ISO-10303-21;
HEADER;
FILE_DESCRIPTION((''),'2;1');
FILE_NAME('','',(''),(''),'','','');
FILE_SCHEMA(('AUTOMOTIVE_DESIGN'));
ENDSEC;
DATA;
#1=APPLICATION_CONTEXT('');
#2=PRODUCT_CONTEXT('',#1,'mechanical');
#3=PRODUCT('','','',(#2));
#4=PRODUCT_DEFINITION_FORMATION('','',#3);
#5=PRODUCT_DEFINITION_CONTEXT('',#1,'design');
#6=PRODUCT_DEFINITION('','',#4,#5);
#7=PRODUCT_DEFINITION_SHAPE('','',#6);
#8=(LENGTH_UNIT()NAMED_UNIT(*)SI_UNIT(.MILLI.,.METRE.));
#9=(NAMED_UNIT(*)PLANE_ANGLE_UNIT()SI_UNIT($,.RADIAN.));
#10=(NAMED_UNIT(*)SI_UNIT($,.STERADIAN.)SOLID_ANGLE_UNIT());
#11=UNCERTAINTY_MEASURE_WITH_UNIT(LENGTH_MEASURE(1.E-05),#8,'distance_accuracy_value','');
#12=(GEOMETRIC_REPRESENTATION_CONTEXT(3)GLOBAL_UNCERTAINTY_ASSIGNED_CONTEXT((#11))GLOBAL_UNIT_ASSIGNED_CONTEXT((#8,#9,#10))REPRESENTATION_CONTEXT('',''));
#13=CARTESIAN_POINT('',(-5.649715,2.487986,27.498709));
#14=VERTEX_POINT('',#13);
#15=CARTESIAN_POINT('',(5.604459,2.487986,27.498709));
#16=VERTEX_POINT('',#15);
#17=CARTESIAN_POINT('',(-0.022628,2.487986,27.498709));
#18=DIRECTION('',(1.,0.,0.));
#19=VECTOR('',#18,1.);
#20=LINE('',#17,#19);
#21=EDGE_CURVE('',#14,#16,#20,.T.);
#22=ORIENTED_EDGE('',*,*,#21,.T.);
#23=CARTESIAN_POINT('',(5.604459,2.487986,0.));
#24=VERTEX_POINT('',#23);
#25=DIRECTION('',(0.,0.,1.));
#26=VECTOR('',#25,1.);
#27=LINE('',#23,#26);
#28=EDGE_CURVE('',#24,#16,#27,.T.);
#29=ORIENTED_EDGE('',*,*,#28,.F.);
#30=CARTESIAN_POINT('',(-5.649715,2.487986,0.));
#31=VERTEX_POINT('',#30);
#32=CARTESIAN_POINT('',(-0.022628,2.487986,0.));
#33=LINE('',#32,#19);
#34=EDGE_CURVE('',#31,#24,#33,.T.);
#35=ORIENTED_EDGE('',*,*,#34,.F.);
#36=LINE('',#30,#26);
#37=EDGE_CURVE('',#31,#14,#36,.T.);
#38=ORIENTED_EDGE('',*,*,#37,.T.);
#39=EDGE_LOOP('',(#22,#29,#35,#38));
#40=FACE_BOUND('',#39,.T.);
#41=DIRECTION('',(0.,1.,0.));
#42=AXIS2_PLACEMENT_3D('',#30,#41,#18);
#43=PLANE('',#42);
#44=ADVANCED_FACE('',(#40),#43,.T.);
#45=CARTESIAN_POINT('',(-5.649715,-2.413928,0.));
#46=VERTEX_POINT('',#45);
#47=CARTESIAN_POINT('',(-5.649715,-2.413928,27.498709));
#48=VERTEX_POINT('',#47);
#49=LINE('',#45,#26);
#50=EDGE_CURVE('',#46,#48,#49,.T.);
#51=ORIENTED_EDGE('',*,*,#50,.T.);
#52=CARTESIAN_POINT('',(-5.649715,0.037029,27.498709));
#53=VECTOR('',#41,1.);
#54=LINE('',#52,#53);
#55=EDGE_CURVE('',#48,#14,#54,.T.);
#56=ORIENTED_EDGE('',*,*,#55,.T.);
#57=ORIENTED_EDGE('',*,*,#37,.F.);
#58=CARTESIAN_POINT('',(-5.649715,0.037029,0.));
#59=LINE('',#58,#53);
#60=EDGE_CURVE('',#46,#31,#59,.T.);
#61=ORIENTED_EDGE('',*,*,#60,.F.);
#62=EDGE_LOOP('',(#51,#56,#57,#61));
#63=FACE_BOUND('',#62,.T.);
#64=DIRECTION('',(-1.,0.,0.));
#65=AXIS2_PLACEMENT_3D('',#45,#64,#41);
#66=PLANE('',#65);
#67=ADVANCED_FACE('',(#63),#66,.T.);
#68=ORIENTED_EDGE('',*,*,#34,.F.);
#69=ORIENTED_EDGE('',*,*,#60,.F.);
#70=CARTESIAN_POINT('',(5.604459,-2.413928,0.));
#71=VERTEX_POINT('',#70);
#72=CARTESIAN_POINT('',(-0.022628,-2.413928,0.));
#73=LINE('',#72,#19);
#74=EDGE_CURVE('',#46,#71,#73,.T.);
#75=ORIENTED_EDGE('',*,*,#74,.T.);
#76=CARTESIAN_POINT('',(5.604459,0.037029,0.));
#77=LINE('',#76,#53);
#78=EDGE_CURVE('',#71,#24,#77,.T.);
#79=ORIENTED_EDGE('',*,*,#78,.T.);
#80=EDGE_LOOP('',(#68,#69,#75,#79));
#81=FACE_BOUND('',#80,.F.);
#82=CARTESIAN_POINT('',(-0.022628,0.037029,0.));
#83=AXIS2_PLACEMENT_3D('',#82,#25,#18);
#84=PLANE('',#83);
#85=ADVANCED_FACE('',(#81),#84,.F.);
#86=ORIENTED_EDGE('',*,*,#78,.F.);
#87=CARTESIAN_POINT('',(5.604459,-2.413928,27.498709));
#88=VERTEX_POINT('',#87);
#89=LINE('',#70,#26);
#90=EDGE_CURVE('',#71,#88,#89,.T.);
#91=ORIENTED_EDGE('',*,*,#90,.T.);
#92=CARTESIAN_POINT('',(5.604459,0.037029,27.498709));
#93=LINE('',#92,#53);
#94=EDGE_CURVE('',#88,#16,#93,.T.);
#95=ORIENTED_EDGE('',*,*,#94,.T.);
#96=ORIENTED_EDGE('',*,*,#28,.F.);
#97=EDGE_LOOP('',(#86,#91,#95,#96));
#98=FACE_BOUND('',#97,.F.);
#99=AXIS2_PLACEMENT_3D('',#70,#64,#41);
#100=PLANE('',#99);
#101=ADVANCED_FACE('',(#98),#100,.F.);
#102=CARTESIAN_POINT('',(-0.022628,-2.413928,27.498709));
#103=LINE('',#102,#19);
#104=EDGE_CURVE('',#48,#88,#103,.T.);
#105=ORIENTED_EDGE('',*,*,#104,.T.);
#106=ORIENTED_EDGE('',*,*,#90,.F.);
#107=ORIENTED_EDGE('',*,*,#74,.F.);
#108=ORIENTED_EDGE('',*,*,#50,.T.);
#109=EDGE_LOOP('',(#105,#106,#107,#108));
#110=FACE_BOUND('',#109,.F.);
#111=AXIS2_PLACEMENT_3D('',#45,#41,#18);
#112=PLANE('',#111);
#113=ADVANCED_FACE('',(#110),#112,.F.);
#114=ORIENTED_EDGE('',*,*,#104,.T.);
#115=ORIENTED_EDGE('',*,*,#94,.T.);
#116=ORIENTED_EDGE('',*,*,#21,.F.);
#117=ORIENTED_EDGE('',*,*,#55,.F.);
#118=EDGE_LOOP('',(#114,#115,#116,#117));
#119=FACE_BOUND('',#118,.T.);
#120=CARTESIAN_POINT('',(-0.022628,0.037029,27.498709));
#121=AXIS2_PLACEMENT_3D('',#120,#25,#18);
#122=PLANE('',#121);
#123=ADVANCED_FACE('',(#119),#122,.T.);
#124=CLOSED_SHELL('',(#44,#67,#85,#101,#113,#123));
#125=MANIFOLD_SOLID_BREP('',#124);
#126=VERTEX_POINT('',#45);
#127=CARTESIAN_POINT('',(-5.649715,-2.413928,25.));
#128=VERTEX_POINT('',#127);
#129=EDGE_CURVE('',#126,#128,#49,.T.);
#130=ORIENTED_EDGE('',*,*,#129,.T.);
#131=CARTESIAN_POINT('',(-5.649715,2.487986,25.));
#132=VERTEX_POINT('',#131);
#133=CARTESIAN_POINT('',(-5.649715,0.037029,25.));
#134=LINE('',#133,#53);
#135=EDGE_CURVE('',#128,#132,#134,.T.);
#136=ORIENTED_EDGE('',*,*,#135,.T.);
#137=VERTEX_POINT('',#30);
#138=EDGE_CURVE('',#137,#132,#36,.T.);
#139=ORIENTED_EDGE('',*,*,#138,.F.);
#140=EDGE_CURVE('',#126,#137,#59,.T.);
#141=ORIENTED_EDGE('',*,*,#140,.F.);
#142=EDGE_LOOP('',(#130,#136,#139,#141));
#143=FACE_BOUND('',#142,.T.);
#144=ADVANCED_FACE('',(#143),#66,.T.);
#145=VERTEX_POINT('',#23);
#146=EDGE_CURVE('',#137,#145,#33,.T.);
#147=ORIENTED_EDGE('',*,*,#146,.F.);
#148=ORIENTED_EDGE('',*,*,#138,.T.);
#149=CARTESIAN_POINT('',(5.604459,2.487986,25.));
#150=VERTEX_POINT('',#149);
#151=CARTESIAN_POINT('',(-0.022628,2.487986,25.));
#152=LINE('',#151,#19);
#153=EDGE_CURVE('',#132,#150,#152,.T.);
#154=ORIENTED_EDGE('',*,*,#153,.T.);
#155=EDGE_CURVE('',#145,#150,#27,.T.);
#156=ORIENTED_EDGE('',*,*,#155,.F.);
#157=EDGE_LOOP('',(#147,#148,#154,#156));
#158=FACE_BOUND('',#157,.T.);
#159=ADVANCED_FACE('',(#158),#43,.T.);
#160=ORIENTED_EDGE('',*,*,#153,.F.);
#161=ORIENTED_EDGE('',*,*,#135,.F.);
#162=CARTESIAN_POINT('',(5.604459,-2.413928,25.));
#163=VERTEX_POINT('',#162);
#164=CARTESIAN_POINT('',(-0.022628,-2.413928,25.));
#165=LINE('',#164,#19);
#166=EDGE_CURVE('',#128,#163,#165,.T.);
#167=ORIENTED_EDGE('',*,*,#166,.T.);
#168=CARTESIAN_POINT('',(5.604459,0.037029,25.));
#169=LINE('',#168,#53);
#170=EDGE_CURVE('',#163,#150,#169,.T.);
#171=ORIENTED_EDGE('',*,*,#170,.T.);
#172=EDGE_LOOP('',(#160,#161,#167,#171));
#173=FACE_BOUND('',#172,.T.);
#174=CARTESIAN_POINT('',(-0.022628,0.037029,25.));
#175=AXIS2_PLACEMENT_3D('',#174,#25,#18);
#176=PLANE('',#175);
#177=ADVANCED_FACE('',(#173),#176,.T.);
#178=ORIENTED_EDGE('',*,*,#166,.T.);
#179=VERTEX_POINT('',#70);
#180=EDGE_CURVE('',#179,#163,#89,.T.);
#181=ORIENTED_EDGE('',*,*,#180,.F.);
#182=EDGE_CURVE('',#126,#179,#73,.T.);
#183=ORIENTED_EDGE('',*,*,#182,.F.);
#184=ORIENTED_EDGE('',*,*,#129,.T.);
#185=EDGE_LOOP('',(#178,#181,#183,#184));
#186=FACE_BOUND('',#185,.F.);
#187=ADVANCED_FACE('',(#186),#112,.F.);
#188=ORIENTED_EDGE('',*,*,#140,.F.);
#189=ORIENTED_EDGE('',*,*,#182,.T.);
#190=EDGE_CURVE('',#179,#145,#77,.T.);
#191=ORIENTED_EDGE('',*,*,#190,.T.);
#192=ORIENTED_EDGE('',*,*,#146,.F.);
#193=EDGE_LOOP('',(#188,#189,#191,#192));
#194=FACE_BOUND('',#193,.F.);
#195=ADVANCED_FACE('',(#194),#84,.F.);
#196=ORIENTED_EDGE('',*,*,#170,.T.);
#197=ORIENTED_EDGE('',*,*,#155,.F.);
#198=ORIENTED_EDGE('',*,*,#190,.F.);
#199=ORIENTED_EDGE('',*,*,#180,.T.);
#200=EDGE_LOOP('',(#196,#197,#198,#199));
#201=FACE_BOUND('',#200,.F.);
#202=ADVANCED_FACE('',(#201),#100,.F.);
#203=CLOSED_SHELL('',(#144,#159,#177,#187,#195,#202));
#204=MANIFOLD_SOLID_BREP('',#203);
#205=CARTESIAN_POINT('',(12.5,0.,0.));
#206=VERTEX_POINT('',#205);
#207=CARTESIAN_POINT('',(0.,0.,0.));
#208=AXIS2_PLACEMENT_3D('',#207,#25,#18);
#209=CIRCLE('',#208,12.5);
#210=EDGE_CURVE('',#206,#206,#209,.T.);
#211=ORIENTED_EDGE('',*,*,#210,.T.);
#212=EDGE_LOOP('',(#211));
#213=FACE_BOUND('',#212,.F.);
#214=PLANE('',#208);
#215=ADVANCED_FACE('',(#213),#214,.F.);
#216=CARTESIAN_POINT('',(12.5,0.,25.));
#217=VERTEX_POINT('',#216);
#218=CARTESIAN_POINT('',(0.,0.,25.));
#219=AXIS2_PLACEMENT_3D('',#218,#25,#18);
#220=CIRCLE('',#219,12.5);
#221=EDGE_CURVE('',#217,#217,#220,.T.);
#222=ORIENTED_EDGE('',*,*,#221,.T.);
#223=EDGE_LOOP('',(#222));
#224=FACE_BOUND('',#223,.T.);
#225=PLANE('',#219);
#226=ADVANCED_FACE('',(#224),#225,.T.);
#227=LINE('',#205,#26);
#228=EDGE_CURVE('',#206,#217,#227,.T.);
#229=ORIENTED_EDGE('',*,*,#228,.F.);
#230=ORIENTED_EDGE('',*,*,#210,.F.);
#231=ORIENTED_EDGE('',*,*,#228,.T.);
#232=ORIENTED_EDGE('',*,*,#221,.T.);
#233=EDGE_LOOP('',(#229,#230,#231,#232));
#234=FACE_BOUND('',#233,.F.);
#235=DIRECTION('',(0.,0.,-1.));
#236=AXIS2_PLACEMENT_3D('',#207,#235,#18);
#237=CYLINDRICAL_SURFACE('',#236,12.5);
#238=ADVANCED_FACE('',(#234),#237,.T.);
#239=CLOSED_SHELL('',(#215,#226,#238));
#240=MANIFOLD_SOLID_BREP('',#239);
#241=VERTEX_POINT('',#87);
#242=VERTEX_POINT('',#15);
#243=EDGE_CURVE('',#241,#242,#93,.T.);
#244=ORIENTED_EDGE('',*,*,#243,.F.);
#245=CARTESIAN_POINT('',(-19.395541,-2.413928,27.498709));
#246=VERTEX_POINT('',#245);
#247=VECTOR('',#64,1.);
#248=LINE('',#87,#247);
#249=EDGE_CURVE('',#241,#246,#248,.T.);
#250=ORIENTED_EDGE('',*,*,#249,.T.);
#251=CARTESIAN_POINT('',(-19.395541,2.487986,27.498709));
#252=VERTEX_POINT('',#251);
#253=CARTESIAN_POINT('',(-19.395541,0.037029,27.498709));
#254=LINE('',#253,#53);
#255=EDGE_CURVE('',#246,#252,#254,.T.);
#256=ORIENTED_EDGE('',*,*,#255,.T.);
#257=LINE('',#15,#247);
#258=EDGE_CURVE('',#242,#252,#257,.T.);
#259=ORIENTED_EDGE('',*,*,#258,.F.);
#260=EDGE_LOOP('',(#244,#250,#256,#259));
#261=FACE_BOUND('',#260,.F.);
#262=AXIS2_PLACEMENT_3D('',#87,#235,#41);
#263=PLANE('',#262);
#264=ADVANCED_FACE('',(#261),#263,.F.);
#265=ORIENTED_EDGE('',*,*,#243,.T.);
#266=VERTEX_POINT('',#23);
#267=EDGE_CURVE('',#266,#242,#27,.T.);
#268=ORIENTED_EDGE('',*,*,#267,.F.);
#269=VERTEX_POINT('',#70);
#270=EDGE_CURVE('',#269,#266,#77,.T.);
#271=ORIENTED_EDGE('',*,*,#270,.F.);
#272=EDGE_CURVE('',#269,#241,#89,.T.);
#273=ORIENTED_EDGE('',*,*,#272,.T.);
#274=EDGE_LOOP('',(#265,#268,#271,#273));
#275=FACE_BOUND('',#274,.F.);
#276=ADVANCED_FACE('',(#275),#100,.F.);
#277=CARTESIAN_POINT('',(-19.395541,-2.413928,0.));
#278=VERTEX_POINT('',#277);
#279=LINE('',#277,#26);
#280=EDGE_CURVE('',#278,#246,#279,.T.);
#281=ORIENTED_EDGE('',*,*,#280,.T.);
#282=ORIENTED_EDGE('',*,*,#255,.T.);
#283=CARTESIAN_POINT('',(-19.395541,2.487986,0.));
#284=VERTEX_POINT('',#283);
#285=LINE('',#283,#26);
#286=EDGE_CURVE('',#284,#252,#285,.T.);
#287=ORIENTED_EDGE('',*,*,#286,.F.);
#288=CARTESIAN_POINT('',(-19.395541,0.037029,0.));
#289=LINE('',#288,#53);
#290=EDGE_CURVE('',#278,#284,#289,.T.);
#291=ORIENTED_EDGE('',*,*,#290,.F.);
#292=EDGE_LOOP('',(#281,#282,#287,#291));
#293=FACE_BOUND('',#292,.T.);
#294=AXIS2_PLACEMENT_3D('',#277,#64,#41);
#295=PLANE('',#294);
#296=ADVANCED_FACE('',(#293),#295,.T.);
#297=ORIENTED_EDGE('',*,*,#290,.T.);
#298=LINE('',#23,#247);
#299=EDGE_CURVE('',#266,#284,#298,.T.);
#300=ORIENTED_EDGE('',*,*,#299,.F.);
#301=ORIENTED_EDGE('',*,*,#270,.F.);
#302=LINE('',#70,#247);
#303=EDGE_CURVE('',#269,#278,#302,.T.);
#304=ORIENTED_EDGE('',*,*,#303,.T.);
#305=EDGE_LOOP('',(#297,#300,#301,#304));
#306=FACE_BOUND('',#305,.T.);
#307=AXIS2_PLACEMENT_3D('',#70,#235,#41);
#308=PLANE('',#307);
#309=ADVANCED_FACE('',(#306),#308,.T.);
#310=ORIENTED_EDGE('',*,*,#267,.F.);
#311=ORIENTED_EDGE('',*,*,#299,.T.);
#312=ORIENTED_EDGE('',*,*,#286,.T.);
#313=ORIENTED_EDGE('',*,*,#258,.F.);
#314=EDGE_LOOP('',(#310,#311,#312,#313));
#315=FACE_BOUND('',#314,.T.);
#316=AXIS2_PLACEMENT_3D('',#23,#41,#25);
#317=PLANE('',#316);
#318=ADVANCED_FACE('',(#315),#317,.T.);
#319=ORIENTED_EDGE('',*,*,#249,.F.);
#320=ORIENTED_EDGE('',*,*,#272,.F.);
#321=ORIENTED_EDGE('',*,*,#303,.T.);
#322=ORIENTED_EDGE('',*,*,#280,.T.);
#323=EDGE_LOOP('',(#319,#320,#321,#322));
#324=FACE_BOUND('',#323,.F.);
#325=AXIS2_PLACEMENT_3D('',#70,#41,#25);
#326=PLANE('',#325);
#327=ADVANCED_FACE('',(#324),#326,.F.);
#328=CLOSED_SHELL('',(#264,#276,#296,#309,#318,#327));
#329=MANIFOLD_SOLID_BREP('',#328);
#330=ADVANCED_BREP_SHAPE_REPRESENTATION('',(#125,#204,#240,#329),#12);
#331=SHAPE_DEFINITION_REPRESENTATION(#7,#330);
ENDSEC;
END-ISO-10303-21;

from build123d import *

# Parameters (mm, degrees)
F0_R     = 12.5
F3_DEPTH = 25
F1_W     = 11.2541733542
F1_H     = 4.901913926
F2_W     = 11.2541733542
F2_H     = 4.901913926
F4_DEPTH = 27.4987090379
F5_DEPTH = 25


with BuildPart() as f3:
    # F0 (on Top) → F3 (new body)
    with BuildSketch(Plane.XY):
        Circle(F0_R)
    extrude(amount=F3_DEPTH)


with BuildPart() as f3b:
    # F1 (on face) → F3, piece 2 (new body)
    with BuildSketch(Plane.XY):
        with Locations((-0.0226280536, 0.0370293856)):
            Rectangle(F1_W, F1_H)
    extrude(amount=F3_DEPTH)


with BuildPart() as f4:
    # F2 (on face) → F4 (new body)
    with BuildSketch(Plane.XY):
        with Locations((-0.0226280536, 0.0370293856)):
            Rectangle(F2_W, F2_H)
    extrude(amount=F4_DEPTH)


with BuildPart() as f5:
    # F5 (new): a face of the model
    f5_faces = [f4.part.faces().sort_by_distance(p)[0] for p in [
        (5.6044586236, 0.0370293856, 13.7493545189),
    ]]
    extrude(f5_faces, amount=-F5_DEPTH)


solid = Compound([f3.part, f3b.part, f4.part, f5.part])
